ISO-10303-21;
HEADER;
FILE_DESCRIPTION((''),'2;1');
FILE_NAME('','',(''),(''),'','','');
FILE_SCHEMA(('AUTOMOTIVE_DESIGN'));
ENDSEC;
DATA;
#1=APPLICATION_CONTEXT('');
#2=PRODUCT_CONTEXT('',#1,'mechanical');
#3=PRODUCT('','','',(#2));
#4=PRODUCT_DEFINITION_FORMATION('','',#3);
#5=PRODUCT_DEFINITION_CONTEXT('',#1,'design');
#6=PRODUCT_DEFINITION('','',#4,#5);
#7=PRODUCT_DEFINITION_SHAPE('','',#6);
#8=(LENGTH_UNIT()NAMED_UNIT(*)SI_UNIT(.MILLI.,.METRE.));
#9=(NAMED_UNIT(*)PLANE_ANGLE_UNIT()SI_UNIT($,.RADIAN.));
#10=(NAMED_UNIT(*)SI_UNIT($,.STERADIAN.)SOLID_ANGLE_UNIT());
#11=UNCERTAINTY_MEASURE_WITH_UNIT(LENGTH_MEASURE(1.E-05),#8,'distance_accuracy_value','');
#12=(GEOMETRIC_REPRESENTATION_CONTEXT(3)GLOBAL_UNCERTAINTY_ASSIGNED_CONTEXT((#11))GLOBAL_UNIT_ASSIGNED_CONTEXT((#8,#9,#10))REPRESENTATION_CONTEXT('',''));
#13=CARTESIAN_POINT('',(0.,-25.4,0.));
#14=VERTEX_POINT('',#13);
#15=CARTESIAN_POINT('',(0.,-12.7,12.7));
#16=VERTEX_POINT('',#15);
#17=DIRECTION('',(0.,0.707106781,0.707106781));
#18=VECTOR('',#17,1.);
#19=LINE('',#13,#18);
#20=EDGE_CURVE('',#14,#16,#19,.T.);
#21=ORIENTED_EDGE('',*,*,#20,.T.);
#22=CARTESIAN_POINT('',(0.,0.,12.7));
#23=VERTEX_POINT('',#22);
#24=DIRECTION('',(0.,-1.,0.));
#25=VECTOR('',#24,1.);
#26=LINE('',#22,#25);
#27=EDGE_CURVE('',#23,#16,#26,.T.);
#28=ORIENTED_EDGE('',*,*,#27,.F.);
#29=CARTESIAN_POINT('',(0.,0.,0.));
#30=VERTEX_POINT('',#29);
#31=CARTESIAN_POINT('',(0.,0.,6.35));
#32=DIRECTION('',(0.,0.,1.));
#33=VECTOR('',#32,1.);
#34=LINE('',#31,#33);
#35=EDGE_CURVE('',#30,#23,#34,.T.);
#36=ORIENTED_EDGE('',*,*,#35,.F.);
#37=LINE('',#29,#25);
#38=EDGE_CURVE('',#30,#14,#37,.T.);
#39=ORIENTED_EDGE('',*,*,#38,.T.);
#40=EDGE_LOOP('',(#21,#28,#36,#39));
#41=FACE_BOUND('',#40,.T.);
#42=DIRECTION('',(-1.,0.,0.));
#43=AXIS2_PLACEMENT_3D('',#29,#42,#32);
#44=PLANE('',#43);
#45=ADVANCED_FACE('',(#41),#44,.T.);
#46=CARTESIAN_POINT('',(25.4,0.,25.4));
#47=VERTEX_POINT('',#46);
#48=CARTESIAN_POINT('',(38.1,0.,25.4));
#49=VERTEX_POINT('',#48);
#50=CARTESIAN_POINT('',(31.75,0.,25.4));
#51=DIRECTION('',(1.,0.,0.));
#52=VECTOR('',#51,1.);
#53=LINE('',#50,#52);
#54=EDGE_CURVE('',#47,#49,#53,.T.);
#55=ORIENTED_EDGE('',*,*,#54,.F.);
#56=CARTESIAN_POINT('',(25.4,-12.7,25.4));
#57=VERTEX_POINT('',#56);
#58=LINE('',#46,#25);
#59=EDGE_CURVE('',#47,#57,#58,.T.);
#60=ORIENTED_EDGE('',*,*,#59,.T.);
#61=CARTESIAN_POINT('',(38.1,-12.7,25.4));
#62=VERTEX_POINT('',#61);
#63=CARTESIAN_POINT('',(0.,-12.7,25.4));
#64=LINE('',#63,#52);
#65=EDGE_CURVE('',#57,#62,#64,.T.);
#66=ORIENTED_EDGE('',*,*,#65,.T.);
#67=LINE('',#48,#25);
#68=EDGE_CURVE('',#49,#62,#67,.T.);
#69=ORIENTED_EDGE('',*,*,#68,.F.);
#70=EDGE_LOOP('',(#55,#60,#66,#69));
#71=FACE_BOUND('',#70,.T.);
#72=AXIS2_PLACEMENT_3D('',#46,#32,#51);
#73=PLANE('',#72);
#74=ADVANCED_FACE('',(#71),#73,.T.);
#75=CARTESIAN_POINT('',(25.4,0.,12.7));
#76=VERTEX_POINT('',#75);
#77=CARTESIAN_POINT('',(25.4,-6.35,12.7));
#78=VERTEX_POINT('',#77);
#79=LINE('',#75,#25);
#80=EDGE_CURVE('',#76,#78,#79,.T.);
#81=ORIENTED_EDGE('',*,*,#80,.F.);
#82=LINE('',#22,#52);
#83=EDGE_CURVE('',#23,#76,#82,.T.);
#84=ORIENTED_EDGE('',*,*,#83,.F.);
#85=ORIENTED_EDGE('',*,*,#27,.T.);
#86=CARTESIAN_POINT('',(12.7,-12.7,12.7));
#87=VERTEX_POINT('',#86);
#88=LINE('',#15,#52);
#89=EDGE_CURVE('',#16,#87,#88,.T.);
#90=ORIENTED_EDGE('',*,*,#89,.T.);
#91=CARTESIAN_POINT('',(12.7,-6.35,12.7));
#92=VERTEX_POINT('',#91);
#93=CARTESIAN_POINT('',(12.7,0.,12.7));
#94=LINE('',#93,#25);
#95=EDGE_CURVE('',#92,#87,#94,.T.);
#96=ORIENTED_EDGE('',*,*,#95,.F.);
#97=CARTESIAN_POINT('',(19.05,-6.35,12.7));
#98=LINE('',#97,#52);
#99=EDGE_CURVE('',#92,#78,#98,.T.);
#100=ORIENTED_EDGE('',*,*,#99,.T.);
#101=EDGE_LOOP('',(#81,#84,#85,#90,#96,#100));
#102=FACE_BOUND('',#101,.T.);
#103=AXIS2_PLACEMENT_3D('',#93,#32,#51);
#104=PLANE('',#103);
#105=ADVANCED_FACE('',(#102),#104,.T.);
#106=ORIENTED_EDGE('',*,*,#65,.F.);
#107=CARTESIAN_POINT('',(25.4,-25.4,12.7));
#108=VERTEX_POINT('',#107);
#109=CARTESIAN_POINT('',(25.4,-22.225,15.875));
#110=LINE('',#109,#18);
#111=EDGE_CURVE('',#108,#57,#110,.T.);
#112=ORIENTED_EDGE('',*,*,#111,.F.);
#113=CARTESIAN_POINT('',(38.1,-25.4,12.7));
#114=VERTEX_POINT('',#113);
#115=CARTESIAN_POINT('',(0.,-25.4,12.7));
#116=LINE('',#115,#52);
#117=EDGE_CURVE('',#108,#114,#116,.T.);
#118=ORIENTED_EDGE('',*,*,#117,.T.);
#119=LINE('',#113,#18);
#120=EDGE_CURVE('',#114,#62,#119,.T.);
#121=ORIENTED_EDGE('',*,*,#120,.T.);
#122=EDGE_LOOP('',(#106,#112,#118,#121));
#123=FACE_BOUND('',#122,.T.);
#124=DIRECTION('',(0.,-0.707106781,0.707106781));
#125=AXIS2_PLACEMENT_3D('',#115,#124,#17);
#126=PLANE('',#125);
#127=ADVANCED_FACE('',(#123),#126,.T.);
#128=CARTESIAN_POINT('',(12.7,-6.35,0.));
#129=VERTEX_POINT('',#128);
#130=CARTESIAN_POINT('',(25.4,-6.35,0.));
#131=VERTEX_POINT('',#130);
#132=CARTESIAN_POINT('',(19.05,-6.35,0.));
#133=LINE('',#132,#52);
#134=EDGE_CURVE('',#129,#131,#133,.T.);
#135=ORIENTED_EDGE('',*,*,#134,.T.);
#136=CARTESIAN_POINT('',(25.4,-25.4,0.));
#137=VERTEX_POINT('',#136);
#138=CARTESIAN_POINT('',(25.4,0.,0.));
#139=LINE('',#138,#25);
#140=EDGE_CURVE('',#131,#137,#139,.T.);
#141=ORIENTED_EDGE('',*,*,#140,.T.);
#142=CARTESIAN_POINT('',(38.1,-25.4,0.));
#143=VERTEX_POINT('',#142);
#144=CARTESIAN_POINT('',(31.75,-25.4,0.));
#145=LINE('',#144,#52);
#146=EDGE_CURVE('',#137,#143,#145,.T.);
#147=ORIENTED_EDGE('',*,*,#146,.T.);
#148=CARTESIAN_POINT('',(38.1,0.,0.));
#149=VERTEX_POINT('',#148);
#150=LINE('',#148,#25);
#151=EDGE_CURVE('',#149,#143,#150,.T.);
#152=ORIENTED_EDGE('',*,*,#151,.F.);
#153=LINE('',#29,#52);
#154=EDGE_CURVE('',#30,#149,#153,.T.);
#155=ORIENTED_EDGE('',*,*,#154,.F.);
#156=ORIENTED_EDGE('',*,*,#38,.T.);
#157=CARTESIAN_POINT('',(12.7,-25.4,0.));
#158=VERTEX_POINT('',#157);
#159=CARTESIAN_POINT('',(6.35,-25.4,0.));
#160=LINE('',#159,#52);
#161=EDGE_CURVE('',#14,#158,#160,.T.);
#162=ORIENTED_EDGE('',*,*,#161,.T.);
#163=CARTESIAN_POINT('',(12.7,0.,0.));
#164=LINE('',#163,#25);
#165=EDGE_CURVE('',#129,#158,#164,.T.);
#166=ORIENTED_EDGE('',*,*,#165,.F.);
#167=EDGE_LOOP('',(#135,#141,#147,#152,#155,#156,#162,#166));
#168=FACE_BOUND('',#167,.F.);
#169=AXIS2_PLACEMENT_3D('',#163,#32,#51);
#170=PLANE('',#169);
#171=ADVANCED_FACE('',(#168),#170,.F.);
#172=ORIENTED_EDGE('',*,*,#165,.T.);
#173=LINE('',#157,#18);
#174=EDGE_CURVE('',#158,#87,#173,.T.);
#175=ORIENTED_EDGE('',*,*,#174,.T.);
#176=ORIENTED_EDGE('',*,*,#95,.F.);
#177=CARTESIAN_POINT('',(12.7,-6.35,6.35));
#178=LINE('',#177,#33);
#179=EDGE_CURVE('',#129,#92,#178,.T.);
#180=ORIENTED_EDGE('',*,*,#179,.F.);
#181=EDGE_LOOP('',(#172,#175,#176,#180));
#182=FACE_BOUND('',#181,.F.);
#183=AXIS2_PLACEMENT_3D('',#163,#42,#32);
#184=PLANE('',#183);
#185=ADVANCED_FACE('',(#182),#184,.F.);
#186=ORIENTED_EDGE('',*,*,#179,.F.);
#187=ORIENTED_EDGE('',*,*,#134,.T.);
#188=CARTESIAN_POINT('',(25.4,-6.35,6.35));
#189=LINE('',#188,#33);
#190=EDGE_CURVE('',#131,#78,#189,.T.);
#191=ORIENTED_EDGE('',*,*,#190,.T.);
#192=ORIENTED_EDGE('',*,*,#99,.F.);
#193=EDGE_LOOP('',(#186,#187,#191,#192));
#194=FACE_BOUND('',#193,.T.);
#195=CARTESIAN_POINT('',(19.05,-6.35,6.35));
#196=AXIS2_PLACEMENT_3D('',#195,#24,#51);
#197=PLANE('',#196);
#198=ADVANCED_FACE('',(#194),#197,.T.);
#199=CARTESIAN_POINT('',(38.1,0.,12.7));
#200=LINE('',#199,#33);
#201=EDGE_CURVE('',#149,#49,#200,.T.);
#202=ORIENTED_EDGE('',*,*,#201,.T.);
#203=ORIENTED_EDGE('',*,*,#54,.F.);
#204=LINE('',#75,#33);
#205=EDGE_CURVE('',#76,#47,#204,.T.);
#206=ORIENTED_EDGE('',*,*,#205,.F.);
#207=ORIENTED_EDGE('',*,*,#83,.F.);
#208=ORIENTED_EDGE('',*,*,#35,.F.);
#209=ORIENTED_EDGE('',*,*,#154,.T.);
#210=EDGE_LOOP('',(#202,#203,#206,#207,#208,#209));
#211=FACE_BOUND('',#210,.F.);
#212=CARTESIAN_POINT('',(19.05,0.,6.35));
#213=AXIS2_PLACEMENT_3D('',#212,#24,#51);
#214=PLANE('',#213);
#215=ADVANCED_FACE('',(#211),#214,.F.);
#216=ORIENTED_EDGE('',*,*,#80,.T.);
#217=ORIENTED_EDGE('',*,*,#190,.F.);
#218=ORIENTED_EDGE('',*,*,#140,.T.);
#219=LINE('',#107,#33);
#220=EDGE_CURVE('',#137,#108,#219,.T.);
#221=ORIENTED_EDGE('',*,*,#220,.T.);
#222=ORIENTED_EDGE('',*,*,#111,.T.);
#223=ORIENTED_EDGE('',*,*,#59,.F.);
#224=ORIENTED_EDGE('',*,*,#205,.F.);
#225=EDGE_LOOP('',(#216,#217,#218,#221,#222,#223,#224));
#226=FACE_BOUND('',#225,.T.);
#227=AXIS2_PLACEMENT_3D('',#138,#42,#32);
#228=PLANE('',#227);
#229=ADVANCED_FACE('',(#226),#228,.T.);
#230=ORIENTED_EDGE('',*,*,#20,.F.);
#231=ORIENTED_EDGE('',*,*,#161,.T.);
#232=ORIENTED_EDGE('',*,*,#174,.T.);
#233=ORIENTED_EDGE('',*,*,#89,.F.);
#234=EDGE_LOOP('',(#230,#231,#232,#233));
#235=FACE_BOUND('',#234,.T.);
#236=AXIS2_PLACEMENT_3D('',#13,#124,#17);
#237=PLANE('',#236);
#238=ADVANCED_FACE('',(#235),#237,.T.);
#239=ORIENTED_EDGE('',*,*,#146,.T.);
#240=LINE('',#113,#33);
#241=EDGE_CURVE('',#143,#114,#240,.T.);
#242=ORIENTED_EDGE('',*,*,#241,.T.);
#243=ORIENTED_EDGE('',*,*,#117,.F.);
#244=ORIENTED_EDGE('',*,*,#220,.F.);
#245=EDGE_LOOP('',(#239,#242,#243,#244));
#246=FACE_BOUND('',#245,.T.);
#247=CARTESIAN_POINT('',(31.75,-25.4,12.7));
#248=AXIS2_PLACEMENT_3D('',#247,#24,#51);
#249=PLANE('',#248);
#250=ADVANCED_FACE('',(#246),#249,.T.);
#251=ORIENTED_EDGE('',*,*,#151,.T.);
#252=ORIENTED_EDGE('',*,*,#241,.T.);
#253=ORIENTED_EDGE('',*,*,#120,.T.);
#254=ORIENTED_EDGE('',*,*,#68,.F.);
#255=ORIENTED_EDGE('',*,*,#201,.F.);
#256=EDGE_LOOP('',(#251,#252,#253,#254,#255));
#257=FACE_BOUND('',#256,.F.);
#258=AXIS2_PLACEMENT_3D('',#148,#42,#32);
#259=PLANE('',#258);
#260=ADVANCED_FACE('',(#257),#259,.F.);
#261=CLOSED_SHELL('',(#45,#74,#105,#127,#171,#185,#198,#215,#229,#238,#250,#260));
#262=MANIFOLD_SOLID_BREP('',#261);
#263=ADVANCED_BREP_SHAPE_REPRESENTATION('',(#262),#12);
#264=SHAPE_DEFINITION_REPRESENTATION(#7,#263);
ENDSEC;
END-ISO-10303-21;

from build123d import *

# Parameters (mm, degrees)
F0_W     = 12.7
F0_H     = 25.4
F0_H_2   = 12.7
F1_DEPTH = 25.4
F2_W     = 12.7
F2_H     = 12.7
F3_DEPTH = 6.35
F5_DEPTH = 12.7
F7_DEPTH = 38.1


with BuildPart() as f1:
    # F0 (on Front) → F1 (new body)
    with BuildSketch(Plane.XZ):
        with Locations((31.75, 12.7)):
            Rectangle(F0_W, F0_H)
        with Locations((6.35, 6.35)):
            Rectangle(F0_W, F0_H_2)
    extrude(amount=F1_DEPTH)

    # F2 (on Front) → F3 (join)
    with BuildSketch(Plane.XZ):
        with Locations((19.05, 6.35)):
            Rectangle(F2_W, F2_H)
    extrude(amount=F3_DEPTH)

    # F4 (on Right) → F5 (cut)
    with BuildSketch(Plane.YZ):
        Polygon((-25.4, 0), (-12.7, 12.7), (-25.4, 12.7), align=None)
    extrude(amount=F5_DEPTH, mode=Mode.SUBTRACT)

    # F6 (on Right) → F7 (cut)
    with BuildSketch(Plane.YZ):
        Polygon((-12.7, 25.4), (-25.4, 25.4), (-25.4, 12.7), align=None)
    extrude(amount=F7_DEPTH, mode=Mode.SUBTRACT)


solid = f1.part
